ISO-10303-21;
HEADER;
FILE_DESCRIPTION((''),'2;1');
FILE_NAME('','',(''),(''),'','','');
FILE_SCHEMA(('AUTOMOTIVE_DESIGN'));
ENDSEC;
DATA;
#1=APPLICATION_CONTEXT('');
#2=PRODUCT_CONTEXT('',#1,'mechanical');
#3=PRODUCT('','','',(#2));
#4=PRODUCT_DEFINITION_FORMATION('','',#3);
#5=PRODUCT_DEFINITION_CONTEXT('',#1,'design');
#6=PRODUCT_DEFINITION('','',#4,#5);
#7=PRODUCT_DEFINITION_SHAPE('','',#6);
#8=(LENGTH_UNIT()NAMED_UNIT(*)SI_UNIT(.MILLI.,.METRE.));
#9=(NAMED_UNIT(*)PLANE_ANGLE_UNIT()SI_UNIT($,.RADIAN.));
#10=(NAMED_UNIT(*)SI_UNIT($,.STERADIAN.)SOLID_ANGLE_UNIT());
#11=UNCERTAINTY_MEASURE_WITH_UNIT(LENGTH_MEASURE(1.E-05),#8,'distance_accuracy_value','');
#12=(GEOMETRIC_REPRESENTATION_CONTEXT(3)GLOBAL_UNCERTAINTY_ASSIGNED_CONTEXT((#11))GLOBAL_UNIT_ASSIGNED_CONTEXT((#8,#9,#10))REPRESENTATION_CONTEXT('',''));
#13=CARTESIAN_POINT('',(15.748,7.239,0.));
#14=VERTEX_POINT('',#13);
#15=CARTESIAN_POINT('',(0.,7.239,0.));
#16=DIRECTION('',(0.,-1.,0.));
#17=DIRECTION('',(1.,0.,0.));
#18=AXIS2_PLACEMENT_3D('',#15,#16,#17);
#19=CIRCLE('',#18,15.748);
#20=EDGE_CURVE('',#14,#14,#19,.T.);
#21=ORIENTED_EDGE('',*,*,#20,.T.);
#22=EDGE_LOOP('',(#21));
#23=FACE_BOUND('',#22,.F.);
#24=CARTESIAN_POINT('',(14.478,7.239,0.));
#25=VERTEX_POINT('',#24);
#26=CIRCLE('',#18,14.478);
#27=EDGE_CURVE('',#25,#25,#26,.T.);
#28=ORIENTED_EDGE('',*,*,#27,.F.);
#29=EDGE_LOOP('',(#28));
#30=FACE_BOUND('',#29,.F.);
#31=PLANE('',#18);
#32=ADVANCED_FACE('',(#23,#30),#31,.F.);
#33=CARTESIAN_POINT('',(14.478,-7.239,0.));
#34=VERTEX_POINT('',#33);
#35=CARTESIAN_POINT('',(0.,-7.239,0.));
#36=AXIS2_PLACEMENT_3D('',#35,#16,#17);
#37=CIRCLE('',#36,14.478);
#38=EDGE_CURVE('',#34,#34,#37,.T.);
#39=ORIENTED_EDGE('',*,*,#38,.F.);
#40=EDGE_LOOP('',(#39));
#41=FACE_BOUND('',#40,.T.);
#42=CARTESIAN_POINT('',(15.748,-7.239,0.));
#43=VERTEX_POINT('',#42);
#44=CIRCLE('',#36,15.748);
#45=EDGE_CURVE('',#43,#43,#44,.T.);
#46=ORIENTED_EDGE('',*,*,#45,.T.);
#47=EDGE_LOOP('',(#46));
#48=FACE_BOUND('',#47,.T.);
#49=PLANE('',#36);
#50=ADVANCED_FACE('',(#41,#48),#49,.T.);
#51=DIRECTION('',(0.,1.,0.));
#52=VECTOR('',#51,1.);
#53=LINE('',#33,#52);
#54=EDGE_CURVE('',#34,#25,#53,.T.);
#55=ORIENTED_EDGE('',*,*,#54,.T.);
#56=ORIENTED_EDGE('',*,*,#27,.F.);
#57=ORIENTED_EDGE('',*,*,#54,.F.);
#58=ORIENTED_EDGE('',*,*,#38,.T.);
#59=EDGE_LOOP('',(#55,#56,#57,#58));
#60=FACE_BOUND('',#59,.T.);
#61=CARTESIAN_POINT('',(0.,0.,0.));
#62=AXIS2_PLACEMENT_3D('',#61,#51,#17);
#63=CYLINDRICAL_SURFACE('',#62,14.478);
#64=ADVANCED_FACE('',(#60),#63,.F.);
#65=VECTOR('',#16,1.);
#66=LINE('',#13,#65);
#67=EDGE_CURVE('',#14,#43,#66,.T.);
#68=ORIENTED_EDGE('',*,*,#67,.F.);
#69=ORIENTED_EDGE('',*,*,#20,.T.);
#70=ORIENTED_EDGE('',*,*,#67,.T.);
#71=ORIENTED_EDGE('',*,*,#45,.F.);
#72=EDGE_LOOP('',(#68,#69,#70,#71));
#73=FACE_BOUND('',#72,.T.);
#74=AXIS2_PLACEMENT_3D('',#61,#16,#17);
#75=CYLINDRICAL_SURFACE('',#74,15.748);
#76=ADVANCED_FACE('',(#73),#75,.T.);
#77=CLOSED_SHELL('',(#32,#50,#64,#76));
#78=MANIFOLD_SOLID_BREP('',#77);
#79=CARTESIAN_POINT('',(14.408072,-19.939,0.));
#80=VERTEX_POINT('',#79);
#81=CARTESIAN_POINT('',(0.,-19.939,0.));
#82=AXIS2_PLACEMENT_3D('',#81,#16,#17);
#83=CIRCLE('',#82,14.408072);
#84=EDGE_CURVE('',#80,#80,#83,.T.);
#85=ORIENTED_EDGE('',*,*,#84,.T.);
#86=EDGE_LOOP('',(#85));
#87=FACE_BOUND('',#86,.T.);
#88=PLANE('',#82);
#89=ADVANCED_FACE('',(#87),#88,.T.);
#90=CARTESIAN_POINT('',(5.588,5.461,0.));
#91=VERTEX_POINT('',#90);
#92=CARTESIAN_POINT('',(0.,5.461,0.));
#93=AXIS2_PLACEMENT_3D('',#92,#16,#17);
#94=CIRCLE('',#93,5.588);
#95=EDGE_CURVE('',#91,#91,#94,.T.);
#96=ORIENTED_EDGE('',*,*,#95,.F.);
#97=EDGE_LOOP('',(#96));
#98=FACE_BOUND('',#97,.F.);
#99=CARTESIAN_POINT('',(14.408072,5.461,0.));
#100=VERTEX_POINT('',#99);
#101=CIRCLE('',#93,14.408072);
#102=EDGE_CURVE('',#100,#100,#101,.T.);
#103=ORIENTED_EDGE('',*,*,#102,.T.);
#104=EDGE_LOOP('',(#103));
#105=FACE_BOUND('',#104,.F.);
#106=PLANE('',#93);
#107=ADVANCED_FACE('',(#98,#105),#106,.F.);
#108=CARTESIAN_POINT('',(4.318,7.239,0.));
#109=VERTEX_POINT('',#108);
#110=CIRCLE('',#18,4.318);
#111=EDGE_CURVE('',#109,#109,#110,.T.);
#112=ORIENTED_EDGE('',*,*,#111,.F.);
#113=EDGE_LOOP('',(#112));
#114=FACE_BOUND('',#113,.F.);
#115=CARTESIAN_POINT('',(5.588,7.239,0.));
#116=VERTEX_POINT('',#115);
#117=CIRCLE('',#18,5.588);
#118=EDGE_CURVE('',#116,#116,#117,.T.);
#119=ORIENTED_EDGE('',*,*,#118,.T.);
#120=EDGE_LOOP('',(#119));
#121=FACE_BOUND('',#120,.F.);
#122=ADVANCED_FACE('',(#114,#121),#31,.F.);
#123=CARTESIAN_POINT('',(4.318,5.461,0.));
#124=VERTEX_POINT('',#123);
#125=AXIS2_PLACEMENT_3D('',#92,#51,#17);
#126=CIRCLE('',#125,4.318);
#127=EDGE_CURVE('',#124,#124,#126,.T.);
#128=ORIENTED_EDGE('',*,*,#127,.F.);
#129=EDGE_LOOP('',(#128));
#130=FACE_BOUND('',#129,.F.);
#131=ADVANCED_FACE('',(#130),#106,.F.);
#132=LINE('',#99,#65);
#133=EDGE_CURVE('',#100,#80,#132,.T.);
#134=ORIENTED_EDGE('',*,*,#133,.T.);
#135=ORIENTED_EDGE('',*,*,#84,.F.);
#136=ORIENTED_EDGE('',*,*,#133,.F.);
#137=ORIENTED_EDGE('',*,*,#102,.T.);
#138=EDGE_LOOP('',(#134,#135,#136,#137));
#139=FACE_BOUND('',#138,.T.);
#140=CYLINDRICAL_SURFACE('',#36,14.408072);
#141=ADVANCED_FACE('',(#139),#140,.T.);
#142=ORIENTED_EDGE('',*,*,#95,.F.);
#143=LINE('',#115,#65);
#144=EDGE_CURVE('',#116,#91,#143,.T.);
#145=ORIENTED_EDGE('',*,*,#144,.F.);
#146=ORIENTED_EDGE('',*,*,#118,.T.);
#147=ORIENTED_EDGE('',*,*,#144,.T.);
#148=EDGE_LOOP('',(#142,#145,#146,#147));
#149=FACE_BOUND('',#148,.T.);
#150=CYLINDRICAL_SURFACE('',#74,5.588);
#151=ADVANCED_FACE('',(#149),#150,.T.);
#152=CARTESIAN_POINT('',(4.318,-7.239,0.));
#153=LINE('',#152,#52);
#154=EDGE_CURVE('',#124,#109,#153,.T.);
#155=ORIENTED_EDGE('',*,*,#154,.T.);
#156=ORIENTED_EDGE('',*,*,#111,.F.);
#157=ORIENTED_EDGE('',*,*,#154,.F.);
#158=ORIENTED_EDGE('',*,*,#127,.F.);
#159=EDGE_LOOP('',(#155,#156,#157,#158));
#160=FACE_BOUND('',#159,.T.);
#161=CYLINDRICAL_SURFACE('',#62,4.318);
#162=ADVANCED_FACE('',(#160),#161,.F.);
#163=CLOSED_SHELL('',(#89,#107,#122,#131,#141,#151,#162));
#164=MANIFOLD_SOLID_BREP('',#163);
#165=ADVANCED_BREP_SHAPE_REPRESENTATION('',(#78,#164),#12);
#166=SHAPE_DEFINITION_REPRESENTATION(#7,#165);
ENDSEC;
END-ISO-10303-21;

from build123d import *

# Parameters (mm, degrees)
F0_R     = 5.588
F0_R_2   = 4.318
F1_DEPTH = 7.239
F0_R_3   = 15.748
F0_R_4   = 14.478
F2_R     = 14.40807173
F3_DEPTH = 12.7


with BuildPart() as f1:
    # F0 (on Front) → F1 (new body, symmetric)
    with BuildSketch(Plane.XZ):
        Circle(F0_R)
        Circle(F0_R_2, mode=Mode.SUBTRACT)
    extrude(amount=F1_DEPTH, both=True)

    # F2 (on face) → F3 (join, symmetric)
    with BuildSketch(Plane.XZ.offset(7.239)):
        Circle(F2_R)
    extrude(amount=F3_DEPTH, both=True)


with BuildPart() as f1b:
    # F0 (on Front) → F1, piece 2 (new body, symmetric)
    with BuildSketch(Plane.XZ):
        Circle(F0_R_3)
        Circle(F0_R_4, mode=Mode.SUBTRACT)
    extrude(amount=F1_DEPTH, both=True)


solid = Compound([f1.part, f1b.part])
